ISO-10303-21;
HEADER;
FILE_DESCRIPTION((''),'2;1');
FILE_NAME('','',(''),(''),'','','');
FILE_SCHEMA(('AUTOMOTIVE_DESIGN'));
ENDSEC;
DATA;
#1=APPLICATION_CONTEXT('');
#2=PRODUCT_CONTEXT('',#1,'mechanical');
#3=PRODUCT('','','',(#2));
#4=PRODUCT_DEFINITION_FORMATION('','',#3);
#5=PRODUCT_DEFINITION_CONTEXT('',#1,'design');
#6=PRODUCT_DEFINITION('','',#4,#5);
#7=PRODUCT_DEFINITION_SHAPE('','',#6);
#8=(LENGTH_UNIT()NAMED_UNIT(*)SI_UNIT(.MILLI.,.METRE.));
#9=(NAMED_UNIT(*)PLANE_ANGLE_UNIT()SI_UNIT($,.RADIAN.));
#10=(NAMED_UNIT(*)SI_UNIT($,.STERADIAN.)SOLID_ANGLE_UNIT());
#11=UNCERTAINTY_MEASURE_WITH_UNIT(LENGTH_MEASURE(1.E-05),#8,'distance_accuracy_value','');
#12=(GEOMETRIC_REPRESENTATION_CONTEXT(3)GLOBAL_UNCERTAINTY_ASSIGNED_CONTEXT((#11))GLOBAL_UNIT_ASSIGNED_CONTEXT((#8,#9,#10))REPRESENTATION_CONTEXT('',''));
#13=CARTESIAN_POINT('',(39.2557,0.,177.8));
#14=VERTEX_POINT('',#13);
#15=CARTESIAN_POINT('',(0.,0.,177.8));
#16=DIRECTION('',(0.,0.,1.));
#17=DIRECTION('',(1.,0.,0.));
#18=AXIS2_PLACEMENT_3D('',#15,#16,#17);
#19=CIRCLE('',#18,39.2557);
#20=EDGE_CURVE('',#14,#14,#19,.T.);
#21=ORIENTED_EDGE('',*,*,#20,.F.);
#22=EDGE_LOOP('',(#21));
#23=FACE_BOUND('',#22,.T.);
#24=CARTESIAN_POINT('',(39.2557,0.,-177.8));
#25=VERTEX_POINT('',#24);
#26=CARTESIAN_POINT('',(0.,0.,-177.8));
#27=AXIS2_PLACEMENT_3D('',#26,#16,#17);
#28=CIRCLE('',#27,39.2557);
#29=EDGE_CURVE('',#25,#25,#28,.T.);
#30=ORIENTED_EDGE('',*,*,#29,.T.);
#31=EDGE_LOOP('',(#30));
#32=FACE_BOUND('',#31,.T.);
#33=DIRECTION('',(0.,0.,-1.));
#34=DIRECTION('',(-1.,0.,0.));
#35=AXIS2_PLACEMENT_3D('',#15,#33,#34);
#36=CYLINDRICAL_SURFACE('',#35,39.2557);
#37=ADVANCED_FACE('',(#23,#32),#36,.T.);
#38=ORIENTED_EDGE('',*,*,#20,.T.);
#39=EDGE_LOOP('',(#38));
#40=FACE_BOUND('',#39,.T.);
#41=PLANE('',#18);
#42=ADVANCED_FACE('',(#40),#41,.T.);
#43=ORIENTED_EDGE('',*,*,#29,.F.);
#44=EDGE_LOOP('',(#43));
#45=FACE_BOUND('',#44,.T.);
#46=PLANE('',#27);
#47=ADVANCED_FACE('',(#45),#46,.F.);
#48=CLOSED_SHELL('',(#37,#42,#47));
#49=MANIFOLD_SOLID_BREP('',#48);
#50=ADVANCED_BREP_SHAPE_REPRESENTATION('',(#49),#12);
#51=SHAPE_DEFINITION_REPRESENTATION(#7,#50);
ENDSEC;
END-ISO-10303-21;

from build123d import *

# Parameters (mm, degrees)
SKETCH1_R           = 39.2557
BOSS_EXTRUDE1_DEPTH = 177.8


with BuildPart() as part:
    # Sketch1 → Boss-Extrude1 (new body, symmetric)
    with BuildSketch(Plane.XY):
        Circle(SKETCH1_R)
    extrude(amount=BOSS_EXTRUDE1_DEPTH, both=True)


solid = part.part
